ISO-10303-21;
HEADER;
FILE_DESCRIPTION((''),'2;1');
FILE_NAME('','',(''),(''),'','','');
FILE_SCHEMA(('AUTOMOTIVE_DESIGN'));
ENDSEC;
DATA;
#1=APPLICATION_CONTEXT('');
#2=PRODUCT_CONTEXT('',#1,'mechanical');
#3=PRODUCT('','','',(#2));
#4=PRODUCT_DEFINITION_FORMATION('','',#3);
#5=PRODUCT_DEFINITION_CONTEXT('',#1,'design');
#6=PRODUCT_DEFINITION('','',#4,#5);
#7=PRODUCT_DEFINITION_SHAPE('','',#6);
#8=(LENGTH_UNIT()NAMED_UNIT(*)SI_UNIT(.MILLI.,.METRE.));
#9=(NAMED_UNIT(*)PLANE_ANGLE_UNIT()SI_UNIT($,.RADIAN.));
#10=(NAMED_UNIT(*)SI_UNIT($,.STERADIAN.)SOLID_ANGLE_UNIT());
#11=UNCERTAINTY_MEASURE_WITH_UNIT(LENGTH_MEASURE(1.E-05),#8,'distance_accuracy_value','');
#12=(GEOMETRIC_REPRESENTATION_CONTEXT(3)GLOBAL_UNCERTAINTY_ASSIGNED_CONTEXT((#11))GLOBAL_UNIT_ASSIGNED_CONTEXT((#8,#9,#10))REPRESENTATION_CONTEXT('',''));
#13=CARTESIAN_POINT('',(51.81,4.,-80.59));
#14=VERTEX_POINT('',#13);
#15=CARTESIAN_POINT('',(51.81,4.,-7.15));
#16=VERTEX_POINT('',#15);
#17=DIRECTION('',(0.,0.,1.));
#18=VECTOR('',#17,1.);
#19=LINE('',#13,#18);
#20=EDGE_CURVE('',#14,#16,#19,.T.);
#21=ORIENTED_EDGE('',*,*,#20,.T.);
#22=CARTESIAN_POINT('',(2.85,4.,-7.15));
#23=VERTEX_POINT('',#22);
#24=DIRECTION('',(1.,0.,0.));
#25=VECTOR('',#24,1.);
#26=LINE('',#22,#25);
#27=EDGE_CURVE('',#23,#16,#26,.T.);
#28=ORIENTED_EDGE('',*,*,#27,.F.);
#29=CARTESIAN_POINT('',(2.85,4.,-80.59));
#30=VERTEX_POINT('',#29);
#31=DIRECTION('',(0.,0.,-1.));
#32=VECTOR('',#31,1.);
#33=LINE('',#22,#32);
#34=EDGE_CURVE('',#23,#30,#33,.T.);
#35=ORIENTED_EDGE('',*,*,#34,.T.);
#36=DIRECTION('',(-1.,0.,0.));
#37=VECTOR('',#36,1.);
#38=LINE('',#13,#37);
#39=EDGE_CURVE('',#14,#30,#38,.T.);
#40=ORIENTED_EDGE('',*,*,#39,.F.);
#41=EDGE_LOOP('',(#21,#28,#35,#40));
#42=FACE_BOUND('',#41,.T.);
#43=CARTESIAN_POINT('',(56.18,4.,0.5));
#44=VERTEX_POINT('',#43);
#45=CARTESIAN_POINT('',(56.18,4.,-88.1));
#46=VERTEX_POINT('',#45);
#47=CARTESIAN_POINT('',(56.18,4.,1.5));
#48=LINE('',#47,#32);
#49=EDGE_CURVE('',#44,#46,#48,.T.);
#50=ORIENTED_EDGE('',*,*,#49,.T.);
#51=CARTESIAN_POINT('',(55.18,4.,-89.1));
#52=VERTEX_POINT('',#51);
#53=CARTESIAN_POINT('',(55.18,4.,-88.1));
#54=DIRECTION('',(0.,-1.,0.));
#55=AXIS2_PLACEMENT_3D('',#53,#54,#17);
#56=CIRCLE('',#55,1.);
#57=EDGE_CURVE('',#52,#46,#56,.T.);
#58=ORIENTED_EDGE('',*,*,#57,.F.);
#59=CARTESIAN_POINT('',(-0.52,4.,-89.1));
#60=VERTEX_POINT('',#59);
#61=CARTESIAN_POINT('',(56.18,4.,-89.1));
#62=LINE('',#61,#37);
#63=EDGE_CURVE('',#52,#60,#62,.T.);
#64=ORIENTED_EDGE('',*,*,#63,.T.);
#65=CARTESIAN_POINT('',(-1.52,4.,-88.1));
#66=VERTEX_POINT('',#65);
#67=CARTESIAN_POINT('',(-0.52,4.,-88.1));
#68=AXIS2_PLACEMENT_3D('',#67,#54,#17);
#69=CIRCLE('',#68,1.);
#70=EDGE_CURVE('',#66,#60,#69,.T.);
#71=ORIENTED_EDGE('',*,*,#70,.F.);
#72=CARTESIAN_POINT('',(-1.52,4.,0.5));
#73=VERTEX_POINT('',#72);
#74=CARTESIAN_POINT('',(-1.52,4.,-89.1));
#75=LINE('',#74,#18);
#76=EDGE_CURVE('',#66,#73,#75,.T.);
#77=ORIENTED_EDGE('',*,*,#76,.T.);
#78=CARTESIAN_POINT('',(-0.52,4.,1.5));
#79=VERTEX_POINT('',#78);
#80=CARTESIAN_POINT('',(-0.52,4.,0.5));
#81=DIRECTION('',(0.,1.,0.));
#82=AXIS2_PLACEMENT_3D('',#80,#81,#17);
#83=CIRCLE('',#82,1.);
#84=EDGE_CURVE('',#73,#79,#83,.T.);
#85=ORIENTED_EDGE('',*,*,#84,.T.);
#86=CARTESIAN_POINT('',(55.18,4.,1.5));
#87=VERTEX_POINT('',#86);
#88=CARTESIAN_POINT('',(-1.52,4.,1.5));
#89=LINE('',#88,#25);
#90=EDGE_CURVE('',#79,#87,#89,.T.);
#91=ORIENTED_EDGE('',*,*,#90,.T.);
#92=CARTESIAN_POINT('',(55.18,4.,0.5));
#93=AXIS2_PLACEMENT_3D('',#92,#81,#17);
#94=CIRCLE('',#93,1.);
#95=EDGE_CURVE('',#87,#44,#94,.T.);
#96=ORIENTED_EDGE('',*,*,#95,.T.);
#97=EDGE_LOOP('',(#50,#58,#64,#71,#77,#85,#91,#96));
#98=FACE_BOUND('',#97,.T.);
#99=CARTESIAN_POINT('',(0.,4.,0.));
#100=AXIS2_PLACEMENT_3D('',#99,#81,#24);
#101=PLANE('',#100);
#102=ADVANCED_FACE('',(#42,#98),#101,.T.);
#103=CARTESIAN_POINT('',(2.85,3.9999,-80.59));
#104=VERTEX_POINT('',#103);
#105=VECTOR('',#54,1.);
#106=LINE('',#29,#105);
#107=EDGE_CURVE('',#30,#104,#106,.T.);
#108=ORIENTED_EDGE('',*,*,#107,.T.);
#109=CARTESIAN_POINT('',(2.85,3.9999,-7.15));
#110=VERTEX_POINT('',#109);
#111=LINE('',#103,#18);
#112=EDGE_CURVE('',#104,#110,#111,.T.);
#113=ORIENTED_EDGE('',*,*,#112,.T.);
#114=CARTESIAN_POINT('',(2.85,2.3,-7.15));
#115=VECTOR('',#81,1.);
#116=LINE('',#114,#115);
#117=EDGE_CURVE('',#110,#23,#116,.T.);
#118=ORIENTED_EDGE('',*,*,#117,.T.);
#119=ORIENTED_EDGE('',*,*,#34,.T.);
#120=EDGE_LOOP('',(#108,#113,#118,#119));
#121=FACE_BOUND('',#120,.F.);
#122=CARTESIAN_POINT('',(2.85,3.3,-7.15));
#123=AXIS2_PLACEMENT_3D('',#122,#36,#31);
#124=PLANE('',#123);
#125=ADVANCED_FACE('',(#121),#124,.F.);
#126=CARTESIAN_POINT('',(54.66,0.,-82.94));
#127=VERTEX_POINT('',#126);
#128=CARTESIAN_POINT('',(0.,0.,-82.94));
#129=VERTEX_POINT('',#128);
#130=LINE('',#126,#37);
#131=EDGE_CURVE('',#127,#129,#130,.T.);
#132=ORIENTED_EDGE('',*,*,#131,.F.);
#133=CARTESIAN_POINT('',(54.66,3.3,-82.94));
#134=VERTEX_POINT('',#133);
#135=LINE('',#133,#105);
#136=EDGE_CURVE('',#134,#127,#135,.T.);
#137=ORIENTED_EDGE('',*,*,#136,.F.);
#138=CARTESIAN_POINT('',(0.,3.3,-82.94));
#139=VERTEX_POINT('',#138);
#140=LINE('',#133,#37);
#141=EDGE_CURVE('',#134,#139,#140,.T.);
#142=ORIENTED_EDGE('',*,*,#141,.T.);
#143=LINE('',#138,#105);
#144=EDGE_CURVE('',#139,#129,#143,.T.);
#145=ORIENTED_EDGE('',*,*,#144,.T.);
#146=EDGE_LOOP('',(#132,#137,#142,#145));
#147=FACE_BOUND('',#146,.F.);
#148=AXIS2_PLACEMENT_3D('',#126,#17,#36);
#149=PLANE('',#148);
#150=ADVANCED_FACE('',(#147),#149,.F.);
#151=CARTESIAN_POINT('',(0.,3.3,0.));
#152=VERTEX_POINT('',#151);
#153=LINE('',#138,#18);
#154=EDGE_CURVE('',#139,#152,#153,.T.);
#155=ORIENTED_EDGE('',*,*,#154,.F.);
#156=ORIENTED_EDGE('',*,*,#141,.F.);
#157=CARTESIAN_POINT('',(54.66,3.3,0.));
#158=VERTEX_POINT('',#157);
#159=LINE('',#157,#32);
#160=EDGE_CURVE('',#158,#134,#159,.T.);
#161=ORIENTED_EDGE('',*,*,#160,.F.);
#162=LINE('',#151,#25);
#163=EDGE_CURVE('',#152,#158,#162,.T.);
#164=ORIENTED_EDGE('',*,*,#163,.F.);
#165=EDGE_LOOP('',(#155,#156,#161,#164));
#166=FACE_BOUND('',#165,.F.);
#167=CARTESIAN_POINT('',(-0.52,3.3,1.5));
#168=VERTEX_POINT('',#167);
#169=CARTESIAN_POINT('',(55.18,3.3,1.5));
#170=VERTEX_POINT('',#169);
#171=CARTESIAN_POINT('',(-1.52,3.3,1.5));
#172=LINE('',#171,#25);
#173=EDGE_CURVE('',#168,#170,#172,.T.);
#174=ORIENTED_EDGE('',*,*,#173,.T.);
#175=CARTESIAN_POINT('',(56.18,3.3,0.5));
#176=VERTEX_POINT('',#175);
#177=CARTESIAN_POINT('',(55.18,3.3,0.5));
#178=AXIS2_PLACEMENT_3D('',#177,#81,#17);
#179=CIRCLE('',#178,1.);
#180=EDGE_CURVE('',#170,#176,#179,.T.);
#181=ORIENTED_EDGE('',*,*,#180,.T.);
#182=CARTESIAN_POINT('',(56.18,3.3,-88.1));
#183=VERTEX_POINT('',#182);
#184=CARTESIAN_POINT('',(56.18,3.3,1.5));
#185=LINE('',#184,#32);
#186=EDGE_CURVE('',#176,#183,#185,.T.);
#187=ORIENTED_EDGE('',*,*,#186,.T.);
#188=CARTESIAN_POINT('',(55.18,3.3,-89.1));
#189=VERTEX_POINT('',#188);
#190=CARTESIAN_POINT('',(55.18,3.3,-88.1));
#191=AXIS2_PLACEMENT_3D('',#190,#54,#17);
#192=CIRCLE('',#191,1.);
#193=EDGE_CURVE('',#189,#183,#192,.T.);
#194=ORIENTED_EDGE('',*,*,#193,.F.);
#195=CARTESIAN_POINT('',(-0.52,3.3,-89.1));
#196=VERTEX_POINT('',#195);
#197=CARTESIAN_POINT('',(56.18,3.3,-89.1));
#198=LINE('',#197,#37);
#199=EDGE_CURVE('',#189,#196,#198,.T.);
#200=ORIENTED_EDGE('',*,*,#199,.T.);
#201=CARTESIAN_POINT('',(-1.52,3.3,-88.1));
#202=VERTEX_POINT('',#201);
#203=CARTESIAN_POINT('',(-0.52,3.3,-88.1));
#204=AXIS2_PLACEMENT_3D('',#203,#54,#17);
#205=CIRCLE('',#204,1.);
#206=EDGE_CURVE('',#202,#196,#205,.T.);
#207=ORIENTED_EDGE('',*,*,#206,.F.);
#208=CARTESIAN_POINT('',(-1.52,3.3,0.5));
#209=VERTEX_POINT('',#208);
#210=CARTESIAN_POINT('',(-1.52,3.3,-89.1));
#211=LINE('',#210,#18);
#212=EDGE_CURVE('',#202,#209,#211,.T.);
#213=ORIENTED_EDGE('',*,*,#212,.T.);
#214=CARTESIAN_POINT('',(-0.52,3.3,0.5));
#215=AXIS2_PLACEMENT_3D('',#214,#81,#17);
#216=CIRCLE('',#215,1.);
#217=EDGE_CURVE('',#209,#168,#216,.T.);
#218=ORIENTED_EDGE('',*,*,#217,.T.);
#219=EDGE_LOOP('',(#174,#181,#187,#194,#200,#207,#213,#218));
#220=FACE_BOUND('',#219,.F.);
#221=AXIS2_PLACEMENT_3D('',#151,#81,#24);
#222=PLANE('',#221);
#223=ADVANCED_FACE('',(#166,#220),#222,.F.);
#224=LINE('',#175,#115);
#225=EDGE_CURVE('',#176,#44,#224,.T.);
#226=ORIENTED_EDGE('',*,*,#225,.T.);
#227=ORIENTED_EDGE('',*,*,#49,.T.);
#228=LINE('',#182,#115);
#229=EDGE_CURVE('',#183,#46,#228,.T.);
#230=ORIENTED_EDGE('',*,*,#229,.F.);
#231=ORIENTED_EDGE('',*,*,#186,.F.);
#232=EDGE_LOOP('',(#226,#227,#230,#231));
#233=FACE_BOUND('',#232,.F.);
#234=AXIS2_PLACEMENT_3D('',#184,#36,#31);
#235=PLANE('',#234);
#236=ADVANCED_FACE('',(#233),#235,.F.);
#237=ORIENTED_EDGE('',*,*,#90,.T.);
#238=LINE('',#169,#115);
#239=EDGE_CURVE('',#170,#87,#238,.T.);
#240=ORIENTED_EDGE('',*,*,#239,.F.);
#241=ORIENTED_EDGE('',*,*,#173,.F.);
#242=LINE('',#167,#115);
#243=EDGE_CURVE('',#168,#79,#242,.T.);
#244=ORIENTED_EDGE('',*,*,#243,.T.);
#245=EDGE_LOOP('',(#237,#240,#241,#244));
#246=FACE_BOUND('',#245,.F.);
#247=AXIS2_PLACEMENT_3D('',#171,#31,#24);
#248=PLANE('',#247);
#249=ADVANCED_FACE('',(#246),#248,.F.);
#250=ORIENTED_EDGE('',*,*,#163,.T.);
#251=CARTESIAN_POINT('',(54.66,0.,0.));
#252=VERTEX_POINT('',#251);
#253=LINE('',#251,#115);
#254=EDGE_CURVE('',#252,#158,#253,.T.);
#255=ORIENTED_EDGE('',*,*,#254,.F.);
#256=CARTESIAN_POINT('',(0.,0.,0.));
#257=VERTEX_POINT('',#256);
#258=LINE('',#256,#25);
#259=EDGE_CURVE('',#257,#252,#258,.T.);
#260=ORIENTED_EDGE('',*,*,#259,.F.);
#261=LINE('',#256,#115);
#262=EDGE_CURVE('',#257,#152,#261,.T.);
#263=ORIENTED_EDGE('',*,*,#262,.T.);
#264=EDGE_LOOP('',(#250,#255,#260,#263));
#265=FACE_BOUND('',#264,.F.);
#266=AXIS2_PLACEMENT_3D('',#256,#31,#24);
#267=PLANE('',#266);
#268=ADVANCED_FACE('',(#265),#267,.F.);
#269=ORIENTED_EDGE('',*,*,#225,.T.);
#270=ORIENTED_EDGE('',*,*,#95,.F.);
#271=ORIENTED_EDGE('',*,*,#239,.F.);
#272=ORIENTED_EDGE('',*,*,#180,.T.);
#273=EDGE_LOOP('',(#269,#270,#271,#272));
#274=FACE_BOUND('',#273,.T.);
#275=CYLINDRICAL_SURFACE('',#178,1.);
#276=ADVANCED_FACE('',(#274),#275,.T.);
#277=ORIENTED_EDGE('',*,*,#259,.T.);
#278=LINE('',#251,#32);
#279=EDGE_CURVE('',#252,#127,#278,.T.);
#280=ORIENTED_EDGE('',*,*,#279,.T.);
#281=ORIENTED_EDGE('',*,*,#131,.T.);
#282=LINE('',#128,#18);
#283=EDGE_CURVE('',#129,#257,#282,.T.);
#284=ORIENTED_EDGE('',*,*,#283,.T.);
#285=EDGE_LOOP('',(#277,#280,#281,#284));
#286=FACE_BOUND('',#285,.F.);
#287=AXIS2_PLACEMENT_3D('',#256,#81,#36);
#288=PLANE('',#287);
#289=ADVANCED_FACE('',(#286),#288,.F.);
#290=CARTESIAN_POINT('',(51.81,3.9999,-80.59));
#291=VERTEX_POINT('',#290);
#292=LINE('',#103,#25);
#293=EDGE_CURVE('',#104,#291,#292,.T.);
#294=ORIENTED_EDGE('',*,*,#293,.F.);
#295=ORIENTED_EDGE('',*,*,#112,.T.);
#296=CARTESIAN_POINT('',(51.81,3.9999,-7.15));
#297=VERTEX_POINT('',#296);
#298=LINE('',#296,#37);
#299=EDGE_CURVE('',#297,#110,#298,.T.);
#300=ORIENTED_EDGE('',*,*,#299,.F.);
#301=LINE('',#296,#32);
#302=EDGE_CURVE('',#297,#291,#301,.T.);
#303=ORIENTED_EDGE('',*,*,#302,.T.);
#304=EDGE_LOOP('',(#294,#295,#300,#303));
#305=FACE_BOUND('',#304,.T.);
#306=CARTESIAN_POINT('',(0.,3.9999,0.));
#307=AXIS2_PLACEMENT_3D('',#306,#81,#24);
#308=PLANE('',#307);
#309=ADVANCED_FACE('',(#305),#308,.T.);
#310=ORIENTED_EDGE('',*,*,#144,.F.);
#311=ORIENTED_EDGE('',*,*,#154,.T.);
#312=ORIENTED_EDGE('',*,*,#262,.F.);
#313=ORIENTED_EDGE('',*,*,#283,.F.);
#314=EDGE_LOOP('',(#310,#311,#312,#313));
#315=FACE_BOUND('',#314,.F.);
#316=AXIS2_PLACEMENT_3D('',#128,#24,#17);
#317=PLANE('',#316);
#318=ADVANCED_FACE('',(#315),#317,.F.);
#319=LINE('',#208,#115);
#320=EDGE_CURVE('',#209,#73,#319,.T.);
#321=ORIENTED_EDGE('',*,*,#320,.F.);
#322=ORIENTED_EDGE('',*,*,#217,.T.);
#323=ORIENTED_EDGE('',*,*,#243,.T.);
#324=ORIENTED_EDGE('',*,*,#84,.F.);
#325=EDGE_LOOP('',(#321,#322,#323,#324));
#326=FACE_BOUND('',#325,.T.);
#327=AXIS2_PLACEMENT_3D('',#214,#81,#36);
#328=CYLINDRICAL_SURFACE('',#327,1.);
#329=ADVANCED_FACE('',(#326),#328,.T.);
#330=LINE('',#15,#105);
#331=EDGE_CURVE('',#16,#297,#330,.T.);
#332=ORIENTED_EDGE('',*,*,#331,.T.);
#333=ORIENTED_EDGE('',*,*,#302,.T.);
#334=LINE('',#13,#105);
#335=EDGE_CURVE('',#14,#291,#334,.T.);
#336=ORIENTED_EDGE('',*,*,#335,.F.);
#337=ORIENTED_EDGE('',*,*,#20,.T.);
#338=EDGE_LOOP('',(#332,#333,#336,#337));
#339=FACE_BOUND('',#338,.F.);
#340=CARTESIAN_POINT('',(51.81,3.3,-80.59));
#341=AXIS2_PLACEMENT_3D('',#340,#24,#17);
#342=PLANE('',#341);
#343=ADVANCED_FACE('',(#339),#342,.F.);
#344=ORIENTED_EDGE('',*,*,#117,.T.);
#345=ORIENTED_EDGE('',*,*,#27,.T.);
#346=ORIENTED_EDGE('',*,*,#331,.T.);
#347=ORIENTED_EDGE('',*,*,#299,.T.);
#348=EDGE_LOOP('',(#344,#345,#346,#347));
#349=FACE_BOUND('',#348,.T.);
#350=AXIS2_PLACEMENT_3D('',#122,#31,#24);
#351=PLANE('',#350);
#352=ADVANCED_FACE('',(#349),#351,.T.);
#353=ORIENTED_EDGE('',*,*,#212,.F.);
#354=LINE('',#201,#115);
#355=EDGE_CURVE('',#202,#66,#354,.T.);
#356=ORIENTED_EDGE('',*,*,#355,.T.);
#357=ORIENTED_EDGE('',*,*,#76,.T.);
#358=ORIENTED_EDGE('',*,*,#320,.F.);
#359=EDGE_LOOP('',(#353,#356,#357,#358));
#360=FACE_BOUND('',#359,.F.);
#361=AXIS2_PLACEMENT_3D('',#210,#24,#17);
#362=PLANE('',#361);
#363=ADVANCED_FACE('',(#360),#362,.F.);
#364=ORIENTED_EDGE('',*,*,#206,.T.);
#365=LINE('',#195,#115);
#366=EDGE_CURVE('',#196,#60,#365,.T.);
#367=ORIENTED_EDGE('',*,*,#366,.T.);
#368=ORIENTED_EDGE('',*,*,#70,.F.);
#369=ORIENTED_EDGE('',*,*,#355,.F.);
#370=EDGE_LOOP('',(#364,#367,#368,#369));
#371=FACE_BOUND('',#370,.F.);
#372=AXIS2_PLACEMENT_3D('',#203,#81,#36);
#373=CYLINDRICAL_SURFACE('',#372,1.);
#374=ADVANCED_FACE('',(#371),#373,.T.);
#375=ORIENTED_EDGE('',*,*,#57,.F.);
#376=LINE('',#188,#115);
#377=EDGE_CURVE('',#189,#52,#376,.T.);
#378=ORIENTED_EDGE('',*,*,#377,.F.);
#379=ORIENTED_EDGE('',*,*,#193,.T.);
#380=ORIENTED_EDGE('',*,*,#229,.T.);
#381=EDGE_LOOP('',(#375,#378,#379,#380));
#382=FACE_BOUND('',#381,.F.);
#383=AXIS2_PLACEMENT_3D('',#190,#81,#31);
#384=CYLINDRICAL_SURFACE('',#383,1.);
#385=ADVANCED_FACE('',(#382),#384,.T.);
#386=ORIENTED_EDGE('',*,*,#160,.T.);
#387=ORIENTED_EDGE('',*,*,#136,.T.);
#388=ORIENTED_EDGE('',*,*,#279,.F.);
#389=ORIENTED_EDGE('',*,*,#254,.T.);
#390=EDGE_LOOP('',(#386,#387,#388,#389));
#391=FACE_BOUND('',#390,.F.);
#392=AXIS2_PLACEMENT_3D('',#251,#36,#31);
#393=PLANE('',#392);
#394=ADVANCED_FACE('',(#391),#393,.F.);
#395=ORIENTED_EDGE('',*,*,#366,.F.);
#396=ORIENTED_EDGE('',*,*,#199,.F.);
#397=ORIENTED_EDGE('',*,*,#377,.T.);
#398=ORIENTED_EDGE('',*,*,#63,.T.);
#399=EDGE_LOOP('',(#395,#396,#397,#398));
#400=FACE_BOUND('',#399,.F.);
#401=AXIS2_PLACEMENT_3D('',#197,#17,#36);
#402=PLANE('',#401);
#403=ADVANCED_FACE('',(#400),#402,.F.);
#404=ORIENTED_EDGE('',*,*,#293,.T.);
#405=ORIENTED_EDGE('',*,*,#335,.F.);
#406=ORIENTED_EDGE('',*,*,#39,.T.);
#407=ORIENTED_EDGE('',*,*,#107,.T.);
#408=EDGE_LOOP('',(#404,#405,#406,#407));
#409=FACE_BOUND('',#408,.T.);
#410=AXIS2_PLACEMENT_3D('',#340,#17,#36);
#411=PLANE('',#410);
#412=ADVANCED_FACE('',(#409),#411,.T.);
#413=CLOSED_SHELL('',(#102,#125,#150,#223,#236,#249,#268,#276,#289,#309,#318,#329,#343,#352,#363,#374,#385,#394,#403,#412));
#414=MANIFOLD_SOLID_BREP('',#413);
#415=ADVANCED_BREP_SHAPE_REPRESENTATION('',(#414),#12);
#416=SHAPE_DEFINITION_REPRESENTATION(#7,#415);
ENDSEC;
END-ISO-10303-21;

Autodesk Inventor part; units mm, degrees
ref_plane "YZ Plane" through (0, 0, 0) normal (1, 0, 0) x (0, 1, 0)
ref_plane "XZ Plane" through (0, 0, 0) normal (0, 1, 0) x (-1, 0, 0)
ref_plane "XY Plane" through (0, 0, 0) normal (0, 0, 1) x (1, 0, 0)
sketch "Sketch1" plane through (0, 0, 0) normal (0, 1, 0) x (-1, 0, 0)
  line L0 (0, 0) -> (-54.66, 0)
  line L1 (-54.66, 0) -> (-54.66, -82.94)
  line L2 (-54.66, -82.94) -> (0, -82.94)
  line L3 (0, -82.94) -> (0, 0)
  dimension "d0" = 54.66
  dimension "d1" = 82.94
extrude "Extrusion1" add sketch "Sketch1" along normal blind 2.3
sketch "Sketch2" plane through (0, 2.3, 0) normal (0, 1, 0) x (1, 0, 0)
  point P0 (0, 0)
sketch "Sketch3" plane through (0, 2.3, 0) normal (0, 1, 0) x (1, 0, 0)
  line L0 (2.85, 7.15) -> (51.81, 7.15)
  line L1 (51.81, 7.15) -> (51.81, 80.59)
  line L2 (51.81, 80.59) -> (2.85, 80.59)
  line L3 (2.85, 80.59) -> (2.85, 7.15)
  line L4 (54.66, 82.94) -> (0, 82.94) projected
  line L5 (0, 82.94) -> (0, 0) projected
  line L6 (0, 0) -> (54.66, 0)
  line L7 (54.66, 0) -> (54.66, 82.94)
  line L8 (54.66, 82.94) -> (0, 82.94)
  line L9 (0, 82.94) -> (0, 0)
  dimension "d4" = 73.44
  dimension "d5" = 48.96
  dimension "d6" = 2.35
  dimension "d7" = 2.85
extrude "Extrusion2" add sketch "Sketch3" along normal blind 1
sketch "Sketch4" plane through (0, 3.3, 0) normal (0, 1, 0) x (1, 0, 0)
  line L0 (-1.52, -1.5) -> (56.18, -1.5)
  line L1 (56.18, -1.5) -> (56.18, 89.1)
  line L2 (56.18, 89.1) -> (-1.52, 89.1)
  line L3 (-1.52, 89.1) -> (-1.52, -1.5)
  line L4 (0, 0) -> (54.66, 0) projected
  line L5 (54.66, 82.94) -> (0, 82.94) projected
  line L6 (2.85, 7.15) -> (51.81, 7.15) projected
  line L7 (51.81, 80.59) -> (2.85, 80.59) projected
  line L8 (51.81, 7.15) -> (2.85, 7.15)
  line L9 (2.85, 7.15) -> (2.85, 80.59)
  line L10 (2.85, 80.59) -> (51.81, 80.59)
  line L11 (51.81, 80.59) -> (51.81, 7.15)
  point P0 (27.33, 82.94)
  point P1 (27.33, 89.1)
  dimension "d10" = 90.6
  dimension "d11" = 57.7
  dimension "d12" = 1.5
extrude "Extrusion3" add sketch "Sketch4" along normal blind 0.7
fillet "Fillet1" radius 1 4 edges at (-1.52, 3.65, 1.5) (56.18, 3.65, 1.5) (56.18, 3.65, -89.1) (-1.52, 3.65, -89.1)
sketch "Sketch5" plane through (0, 2.3, 0) normal (0, 1, 0) x (1, 0, 0)
  line L0 (51.81, 7.15) -> (2.85, 7.15) projected
  line L1 (2.85, 80.59) -> (51.81, 80.59) projected
  line L2 (2.85, 7.15) -> (51.81, 7.15)
  line L3 (51.81, 7.15) -> (51.81, 80.59)
  line L4 (51.81, 80.59) -> (2.85, 80.59)
  line L5 (2.85, 80.59) -> (2.85, 7.15)
  point P0 (0, 0)
extrude "Extrusion4" add sketch "Sketch5" along normal blind 1.6999
properties part number "LCD+Cover"
